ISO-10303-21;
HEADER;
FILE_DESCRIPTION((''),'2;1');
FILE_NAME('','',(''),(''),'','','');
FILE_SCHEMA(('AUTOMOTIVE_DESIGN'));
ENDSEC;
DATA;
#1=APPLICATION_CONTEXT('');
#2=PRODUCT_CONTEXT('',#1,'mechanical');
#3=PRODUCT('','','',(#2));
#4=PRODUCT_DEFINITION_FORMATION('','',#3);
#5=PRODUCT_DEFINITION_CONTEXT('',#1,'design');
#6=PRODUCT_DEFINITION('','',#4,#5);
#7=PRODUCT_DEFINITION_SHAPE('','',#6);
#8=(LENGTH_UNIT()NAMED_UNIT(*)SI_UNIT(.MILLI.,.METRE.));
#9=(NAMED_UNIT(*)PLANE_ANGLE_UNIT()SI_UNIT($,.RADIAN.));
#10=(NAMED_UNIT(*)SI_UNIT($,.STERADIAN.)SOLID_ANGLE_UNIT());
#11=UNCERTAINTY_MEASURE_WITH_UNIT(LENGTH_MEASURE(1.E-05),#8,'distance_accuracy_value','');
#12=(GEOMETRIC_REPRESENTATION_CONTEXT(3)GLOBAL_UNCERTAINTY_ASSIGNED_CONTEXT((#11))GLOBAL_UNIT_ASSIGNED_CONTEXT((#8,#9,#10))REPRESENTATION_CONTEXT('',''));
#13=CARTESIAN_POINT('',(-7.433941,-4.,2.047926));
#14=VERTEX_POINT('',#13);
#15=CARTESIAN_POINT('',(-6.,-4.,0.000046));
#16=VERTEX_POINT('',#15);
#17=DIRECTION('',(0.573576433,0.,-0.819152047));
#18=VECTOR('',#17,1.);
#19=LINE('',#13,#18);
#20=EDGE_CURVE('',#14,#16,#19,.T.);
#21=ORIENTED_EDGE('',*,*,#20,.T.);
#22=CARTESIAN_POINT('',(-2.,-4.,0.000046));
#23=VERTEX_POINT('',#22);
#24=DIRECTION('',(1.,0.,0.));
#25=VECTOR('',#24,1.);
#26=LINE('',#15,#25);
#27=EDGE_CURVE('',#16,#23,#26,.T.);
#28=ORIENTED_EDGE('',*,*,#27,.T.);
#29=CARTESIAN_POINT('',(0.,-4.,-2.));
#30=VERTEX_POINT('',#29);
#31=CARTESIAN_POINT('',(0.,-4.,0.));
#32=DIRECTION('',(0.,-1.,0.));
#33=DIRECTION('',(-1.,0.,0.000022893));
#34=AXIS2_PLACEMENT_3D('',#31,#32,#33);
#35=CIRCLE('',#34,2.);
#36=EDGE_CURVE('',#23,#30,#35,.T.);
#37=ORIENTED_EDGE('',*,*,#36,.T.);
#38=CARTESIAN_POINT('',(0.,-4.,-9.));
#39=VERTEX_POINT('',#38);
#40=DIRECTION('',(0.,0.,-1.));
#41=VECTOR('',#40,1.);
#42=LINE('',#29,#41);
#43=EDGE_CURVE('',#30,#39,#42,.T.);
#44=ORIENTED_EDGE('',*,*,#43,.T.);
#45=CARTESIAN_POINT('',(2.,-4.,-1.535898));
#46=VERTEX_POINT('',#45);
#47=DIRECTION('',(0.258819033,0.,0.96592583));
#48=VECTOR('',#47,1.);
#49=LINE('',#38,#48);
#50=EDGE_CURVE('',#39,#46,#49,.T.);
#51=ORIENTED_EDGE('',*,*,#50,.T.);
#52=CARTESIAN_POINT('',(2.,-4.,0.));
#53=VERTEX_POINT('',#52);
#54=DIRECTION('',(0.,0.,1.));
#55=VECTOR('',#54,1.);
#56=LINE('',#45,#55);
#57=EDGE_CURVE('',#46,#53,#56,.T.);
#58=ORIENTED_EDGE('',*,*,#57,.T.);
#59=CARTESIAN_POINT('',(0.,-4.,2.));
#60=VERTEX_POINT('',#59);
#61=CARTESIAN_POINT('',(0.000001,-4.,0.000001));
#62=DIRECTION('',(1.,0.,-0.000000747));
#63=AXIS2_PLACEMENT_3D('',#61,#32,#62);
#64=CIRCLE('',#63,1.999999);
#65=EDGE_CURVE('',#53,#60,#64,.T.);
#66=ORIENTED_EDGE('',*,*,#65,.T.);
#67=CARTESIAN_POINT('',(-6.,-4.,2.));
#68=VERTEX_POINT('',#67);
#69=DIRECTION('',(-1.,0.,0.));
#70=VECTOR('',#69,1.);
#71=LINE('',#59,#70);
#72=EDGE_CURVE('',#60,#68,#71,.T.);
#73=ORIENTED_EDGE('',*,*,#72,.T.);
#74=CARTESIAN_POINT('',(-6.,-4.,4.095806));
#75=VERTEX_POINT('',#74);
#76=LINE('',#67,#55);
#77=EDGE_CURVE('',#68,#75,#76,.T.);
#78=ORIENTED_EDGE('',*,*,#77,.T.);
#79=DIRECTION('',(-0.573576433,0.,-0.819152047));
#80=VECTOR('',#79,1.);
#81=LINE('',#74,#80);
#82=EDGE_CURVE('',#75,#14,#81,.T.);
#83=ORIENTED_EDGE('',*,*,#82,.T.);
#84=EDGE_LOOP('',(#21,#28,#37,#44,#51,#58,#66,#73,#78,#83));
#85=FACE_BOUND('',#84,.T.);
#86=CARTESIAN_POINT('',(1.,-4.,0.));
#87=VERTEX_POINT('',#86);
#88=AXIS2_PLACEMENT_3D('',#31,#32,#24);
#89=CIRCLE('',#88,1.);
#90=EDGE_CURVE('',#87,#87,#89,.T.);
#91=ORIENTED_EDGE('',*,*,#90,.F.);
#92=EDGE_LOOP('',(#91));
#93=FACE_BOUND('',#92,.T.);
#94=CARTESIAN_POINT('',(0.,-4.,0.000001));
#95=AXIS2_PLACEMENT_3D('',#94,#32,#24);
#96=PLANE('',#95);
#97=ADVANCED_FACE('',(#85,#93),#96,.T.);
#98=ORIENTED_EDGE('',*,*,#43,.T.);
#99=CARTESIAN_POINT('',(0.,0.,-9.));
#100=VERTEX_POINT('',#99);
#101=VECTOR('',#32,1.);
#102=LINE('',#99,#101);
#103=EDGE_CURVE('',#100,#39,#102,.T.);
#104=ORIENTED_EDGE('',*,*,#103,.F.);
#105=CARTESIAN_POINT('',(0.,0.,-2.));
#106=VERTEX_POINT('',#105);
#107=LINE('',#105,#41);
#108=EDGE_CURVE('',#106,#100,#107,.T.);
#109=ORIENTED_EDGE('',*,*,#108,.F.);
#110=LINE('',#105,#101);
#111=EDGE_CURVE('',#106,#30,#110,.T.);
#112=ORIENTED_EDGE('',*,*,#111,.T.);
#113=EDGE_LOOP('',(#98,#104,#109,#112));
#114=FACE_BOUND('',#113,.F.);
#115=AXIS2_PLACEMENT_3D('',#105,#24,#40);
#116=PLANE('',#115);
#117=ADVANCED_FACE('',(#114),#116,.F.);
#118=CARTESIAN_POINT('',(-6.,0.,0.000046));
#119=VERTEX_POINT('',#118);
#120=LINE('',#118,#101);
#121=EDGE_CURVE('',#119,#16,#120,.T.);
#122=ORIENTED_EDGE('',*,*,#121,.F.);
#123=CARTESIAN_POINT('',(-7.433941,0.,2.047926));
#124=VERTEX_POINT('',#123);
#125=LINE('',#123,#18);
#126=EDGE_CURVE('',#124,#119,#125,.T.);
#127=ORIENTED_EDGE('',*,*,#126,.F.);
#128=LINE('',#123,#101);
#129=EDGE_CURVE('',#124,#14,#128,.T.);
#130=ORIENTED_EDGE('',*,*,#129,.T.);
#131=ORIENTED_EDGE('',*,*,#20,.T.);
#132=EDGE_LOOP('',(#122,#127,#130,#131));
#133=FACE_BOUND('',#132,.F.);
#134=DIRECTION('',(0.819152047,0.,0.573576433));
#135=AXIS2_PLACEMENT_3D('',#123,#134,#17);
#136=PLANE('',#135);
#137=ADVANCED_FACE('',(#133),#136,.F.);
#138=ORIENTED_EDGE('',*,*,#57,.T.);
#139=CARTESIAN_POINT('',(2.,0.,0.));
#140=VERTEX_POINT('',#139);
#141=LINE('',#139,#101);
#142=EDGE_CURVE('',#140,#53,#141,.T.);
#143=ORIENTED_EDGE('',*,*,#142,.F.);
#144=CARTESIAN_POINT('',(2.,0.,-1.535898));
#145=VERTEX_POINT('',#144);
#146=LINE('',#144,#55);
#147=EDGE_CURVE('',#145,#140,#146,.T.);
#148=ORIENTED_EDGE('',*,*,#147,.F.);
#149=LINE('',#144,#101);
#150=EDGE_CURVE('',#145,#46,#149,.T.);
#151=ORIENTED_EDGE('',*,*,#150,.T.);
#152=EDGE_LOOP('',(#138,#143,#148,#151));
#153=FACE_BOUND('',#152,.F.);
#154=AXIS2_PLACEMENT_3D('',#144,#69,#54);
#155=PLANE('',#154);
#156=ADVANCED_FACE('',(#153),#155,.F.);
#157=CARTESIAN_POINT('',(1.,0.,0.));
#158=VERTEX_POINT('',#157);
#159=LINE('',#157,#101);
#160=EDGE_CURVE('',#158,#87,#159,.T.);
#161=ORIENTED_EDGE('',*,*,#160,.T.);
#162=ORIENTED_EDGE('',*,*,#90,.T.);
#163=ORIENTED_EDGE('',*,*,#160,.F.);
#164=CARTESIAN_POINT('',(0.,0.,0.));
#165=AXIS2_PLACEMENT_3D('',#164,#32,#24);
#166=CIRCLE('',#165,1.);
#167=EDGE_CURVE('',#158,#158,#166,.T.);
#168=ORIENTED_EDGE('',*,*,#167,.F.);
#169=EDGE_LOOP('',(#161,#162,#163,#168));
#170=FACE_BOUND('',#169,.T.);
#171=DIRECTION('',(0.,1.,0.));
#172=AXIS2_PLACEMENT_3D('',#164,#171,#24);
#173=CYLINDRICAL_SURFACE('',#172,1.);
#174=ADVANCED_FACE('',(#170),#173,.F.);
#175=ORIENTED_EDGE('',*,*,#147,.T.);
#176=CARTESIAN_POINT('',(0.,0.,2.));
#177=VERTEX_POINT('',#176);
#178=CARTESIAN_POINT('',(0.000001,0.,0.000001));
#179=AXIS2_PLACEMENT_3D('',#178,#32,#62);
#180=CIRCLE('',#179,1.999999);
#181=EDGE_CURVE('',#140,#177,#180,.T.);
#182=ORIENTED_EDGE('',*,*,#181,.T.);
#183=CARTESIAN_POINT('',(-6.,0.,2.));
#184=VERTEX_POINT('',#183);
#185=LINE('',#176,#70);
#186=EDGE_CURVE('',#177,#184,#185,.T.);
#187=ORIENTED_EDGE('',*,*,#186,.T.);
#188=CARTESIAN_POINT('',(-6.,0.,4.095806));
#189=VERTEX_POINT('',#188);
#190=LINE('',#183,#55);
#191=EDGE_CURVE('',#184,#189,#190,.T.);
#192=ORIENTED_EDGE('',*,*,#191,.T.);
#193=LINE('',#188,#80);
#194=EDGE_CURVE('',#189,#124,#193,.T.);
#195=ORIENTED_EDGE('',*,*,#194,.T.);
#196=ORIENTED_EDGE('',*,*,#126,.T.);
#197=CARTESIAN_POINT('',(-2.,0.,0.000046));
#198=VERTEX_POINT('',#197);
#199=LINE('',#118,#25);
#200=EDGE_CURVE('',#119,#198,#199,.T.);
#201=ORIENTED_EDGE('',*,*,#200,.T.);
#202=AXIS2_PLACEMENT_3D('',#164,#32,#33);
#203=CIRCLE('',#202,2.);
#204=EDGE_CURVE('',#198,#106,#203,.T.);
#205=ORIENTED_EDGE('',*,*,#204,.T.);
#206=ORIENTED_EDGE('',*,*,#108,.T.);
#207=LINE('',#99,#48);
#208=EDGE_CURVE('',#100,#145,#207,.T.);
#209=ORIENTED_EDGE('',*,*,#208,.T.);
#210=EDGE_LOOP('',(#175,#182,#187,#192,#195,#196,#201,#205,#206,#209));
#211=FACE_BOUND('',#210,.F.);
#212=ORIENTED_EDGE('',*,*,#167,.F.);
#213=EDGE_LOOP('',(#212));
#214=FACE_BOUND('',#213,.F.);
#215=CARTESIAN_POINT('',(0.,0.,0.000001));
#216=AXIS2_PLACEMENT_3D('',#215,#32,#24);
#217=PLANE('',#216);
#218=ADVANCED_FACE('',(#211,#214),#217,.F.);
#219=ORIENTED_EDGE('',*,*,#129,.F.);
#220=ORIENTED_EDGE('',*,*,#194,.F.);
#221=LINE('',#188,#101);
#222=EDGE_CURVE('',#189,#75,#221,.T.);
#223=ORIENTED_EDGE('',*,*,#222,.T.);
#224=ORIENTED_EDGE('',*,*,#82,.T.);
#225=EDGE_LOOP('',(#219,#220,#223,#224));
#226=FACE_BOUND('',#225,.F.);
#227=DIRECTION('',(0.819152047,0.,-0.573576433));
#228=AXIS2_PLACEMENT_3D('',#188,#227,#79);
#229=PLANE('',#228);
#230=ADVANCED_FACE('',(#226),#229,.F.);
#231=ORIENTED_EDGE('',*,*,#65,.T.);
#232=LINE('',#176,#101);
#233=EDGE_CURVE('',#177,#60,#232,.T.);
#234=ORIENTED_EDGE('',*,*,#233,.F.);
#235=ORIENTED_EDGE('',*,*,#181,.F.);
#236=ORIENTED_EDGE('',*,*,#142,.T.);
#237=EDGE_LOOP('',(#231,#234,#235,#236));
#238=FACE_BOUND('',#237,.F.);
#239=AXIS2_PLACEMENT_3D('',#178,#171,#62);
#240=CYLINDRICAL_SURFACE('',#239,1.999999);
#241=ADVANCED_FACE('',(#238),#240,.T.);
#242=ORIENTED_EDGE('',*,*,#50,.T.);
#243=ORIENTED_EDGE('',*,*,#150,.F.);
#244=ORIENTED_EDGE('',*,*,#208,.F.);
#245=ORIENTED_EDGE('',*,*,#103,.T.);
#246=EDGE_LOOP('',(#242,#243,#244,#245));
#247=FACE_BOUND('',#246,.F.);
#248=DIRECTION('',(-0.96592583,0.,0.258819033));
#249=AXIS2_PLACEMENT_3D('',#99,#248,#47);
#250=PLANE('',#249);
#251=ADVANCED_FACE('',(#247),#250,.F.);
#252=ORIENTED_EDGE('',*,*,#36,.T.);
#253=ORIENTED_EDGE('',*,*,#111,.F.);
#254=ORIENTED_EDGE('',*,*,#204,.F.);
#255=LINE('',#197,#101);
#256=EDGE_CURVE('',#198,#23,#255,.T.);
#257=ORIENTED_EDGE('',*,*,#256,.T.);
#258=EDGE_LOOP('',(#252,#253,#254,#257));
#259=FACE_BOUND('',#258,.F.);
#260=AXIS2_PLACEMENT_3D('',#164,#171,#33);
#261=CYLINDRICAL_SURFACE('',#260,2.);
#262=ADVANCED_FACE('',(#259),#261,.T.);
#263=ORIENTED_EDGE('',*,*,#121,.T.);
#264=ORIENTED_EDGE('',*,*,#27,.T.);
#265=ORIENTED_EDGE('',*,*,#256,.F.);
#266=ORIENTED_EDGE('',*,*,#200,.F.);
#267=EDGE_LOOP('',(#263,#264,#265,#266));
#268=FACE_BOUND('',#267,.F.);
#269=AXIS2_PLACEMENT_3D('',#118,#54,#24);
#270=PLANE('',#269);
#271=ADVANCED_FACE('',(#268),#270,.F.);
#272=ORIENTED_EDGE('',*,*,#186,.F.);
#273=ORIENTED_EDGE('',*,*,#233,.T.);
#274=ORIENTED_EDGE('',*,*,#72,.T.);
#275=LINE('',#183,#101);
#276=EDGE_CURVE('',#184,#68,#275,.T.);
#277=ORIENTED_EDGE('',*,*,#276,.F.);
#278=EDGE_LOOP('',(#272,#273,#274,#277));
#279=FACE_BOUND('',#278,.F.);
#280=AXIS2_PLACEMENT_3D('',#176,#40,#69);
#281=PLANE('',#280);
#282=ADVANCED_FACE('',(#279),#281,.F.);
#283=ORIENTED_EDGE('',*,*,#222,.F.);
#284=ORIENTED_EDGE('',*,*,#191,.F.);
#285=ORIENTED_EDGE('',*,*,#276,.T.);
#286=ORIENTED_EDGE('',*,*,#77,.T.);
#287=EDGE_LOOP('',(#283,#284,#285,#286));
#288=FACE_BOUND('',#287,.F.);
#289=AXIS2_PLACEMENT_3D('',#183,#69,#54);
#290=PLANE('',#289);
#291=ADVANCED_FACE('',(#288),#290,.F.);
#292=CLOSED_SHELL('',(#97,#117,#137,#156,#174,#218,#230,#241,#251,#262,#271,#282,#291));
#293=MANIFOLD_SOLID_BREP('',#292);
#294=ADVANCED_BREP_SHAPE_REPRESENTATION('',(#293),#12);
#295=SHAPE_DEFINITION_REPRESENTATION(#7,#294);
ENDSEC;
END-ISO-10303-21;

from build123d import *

# Parameters (mm, degrees)
F0_R     = 1
F1_DEPTH = 4


with BuildPart() as f1:
    # F0 (on Front) → F1 (new body)
    with BuildSketch(Plane.XZ):
        with BuildLine():
            ThreePointArc((0, -2), (1.414214, -1.414214), (2, 0))
            ThreePointArc((2, 0), (1.414214, 1.414214), (0, 2))
            ThreePointArc((0, 2), (-1.414197, 1.41423), (-2, 4.6e-05))
            ThreePointArc((-2, 4.6e-05), (-1.41423, -1.414197), (0, -2))
        make_face()
        Circle(F0_R, mode=Mode.SUBTRACT)
        with BuildLine():
            Line((2, -1.535898), (2, 0))
            ThreePointArc((2, 0), (1.414214, -1.414214), (0, -2))
            Line((0, -2), (0, -9))
            Line((0, -9), (2, -1.535898))
        make_face()
        with BuildLine():
            ThreePointArc((-2, 4.6e-05), (-1.414197, 1.41423), (0, 2))
            Line((0, 2), (-6, 2))
            Line((-6, 2), (-6, 4.095806))
            Line((-6, 4.095806), (-7.433941, 2.047926))
            Line((-7.433941, 2.047926), (-6, 4.6e-05))
            Line((-6, 4.6e-05), (-2, 4.6e-05))
        make_face()
    extrude(amount=F1_DEPTH)


solid = f1.part
